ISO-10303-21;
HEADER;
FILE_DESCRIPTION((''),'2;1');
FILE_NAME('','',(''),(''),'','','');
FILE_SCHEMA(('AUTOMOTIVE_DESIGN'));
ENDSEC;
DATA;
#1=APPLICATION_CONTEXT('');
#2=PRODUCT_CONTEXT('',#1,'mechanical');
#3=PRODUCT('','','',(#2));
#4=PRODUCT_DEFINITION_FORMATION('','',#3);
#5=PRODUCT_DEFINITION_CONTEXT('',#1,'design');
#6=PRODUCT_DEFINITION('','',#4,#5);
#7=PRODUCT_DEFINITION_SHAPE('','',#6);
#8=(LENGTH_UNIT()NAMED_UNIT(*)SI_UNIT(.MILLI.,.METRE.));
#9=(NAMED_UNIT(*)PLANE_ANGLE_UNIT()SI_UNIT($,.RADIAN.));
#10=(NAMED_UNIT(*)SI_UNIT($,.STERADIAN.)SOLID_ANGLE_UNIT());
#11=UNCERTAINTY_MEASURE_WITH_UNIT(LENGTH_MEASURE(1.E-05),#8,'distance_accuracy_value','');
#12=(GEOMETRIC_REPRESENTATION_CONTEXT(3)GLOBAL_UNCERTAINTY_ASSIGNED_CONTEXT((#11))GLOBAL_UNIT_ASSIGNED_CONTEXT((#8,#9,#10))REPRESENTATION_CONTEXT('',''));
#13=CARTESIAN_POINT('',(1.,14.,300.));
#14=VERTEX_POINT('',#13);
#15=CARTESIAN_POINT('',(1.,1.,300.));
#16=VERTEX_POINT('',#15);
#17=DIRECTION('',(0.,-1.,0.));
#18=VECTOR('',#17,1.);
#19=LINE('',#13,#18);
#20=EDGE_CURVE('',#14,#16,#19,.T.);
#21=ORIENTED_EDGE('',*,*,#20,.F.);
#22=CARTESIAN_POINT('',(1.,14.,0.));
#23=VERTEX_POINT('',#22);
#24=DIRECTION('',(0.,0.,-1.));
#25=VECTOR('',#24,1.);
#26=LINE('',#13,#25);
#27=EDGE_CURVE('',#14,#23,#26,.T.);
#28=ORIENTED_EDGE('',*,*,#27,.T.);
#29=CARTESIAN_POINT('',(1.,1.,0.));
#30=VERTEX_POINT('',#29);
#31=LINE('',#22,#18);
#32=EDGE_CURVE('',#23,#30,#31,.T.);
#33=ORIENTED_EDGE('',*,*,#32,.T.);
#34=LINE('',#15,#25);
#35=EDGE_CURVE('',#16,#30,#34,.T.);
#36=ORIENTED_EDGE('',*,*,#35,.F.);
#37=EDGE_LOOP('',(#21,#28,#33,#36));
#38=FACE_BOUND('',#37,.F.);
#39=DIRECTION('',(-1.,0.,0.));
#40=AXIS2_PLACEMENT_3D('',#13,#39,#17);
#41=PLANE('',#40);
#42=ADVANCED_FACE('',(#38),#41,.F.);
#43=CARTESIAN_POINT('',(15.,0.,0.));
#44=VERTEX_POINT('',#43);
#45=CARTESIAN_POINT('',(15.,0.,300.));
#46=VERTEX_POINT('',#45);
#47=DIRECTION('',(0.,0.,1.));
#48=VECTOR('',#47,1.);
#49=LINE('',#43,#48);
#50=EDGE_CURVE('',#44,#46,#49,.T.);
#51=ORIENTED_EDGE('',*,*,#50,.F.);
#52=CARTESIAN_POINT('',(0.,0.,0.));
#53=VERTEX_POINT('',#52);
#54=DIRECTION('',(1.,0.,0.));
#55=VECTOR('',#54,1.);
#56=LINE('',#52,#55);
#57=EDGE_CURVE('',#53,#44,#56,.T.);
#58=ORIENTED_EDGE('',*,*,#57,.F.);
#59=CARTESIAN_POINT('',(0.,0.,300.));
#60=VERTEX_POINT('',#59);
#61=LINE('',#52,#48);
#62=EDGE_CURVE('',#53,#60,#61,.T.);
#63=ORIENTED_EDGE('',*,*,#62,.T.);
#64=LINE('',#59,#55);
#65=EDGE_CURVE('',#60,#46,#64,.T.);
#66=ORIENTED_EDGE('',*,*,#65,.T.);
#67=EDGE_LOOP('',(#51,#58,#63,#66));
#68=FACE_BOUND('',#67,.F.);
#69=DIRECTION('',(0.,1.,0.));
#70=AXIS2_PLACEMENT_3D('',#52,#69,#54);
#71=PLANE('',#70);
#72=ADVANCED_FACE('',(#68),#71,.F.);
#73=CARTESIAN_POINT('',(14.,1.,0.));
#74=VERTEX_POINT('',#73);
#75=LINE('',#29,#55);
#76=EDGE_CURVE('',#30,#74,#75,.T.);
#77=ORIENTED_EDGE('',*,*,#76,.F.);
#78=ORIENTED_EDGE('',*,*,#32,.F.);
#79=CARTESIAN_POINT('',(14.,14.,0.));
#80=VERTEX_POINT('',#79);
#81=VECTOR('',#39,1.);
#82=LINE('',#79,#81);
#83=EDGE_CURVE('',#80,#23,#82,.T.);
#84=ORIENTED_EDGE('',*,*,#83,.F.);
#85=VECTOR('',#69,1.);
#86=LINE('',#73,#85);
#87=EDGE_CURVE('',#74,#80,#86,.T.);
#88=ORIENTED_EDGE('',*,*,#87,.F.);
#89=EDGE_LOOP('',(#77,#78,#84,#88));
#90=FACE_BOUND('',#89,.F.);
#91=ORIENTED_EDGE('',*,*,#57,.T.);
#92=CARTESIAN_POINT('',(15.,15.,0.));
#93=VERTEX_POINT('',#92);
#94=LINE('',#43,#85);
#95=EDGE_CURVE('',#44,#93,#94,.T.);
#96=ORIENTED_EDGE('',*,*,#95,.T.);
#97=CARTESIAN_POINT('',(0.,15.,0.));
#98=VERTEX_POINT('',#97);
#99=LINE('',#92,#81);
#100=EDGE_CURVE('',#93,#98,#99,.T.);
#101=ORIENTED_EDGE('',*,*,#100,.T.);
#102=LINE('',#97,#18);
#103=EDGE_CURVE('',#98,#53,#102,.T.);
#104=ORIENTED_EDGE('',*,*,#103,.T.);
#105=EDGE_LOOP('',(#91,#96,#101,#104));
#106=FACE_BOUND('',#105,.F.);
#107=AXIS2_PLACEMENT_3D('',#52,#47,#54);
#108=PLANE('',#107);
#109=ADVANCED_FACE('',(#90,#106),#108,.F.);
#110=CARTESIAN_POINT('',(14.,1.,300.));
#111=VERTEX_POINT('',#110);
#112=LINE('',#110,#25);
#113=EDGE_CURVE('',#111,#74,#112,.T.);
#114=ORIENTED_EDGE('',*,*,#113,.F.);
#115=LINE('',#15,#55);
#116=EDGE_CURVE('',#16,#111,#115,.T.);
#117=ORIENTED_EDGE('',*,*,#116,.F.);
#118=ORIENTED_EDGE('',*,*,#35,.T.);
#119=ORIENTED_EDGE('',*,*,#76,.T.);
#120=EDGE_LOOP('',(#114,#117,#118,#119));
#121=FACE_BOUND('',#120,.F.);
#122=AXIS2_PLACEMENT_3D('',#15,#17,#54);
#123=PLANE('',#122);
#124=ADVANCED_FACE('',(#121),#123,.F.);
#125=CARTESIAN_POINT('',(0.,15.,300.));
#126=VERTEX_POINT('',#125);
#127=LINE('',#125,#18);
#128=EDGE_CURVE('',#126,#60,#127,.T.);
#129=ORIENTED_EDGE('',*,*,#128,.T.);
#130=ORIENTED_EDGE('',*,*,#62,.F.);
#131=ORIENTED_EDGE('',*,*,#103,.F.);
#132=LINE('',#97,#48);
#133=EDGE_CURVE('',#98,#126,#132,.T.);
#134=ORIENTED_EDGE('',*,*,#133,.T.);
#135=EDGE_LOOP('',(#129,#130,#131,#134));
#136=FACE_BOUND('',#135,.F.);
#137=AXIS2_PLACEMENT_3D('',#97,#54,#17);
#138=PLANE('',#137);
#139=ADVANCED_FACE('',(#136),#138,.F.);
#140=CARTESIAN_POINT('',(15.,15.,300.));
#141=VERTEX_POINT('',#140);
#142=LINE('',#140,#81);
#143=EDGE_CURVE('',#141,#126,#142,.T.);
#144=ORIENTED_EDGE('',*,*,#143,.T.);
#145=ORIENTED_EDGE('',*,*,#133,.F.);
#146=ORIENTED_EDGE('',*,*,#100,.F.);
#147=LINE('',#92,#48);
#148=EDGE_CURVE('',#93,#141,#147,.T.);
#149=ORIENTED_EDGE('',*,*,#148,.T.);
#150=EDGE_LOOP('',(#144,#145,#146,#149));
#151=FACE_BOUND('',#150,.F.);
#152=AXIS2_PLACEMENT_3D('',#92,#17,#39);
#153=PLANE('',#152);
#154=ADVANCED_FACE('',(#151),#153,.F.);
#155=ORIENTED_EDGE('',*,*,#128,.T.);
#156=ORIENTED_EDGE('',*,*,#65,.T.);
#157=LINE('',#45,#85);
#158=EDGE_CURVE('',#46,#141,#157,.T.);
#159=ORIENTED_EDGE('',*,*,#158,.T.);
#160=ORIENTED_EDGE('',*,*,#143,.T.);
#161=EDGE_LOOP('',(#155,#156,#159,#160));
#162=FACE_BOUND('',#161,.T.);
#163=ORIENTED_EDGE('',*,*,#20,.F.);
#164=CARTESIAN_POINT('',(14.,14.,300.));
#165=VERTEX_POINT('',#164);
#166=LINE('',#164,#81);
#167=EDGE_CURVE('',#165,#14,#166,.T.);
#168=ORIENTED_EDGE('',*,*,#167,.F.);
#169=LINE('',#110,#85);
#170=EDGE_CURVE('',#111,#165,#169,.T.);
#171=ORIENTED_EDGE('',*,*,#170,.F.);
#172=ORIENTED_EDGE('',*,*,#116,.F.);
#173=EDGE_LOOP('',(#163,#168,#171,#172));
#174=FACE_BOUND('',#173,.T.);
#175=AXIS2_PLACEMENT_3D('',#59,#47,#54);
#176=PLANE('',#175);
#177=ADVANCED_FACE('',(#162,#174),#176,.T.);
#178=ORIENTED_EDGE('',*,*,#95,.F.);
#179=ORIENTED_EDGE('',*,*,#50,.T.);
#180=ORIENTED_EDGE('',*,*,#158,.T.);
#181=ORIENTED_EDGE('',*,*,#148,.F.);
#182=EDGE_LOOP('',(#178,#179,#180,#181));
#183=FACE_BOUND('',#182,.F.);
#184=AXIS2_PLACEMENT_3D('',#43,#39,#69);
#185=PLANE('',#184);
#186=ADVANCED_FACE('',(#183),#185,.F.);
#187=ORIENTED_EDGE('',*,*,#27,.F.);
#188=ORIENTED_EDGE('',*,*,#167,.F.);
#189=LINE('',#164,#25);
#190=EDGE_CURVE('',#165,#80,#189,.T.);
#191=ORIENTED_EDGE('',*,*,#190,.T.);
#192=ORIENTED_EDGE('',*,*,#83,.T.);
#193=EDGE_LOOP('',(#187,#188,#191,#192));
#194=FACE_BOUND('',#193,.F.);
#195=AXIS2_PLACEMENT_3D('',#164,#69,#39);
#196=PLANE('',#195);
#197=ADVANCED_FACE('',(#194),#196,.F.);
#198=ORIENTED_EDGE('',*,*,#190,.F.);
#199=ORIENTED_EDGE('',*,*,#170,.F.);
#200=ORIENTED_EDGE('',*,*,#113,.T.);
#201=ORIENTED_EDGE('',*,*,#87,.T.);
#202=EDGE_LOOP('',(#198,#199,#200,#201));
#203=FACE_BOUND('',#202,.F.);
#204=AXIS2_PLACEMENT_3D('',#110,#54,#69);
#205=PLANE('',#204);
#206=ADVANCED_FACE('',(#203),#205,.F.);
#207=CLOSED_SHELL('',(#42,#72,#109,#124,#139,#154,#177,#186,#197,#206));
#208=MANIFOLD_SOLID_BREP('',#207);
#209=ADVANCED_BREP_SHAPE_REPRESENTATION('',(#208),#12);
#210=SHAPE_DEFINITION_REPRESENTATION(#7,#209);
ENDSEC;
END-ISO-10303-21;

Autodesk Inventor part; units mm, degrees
ref_plane "YZ Plane" through (0, 0, 0) normal (1, 0, 0) x (0, 1, 0)
ref_plane "XZ Plane" through (0, 0, 0) normal (0, 1, 0) x (-1, 0, 0)
ref_plane "XY Plane" through (0, 0, 0) normal (0, 0, 1) x (1, 0, 0)
sketch "スケッチ1" plane through (0, 0, 0) normal (0, 0, 1) x (1, 0, 0)
  line L0 (0, 0) -> (15, 0)
  line L1 (15, 0) -> (15, 15)
  line L2 (15, 15) -> (0, 15)
  line L3 (0, 15) -> (0, 0)
  dimension "d0" = 15
  dimension "d1" = 15
extrude "押し出し1" add sketch "スケッチ1" along normal blind 300
sketch "スケッチ2" plane through (0, 0, 300) normal (0, 0, 1) x (1, 0, 0)
  line L0 (1, 1) -> (14, 1)
  line L1 (14, 1) -> (14, 14)
  line L2 (14, 14) -> (1, 14)
  line L3 (1, 14) -> (1, 1)
  point P0 (0, 0)
  dimension "d4" = 13
  dimension "d5" = 13
extrude "押し出し2" cut sketch "スケッチ2" against normal blind 300
equation "\"BendRadius\" = Thickness"
equation "\"BendReliefWidth\" = Thickness"
equation "\"BendReliefDepth\" = 0.5 * Thickness"
equation "\"CornerReliefSize\" = 4 * Thickness"
equation "\"MinimumRemnant\" = 2 * Thickness"
equation "\"TransitionRadius\" = BendRadius"
equation "\"JacobiRadiusSize\" = BendRadius"
equation "\"GapSize\" = Thickness"
equation "\"Thickness\" = 0.5"
properties part number "0nhk4"
